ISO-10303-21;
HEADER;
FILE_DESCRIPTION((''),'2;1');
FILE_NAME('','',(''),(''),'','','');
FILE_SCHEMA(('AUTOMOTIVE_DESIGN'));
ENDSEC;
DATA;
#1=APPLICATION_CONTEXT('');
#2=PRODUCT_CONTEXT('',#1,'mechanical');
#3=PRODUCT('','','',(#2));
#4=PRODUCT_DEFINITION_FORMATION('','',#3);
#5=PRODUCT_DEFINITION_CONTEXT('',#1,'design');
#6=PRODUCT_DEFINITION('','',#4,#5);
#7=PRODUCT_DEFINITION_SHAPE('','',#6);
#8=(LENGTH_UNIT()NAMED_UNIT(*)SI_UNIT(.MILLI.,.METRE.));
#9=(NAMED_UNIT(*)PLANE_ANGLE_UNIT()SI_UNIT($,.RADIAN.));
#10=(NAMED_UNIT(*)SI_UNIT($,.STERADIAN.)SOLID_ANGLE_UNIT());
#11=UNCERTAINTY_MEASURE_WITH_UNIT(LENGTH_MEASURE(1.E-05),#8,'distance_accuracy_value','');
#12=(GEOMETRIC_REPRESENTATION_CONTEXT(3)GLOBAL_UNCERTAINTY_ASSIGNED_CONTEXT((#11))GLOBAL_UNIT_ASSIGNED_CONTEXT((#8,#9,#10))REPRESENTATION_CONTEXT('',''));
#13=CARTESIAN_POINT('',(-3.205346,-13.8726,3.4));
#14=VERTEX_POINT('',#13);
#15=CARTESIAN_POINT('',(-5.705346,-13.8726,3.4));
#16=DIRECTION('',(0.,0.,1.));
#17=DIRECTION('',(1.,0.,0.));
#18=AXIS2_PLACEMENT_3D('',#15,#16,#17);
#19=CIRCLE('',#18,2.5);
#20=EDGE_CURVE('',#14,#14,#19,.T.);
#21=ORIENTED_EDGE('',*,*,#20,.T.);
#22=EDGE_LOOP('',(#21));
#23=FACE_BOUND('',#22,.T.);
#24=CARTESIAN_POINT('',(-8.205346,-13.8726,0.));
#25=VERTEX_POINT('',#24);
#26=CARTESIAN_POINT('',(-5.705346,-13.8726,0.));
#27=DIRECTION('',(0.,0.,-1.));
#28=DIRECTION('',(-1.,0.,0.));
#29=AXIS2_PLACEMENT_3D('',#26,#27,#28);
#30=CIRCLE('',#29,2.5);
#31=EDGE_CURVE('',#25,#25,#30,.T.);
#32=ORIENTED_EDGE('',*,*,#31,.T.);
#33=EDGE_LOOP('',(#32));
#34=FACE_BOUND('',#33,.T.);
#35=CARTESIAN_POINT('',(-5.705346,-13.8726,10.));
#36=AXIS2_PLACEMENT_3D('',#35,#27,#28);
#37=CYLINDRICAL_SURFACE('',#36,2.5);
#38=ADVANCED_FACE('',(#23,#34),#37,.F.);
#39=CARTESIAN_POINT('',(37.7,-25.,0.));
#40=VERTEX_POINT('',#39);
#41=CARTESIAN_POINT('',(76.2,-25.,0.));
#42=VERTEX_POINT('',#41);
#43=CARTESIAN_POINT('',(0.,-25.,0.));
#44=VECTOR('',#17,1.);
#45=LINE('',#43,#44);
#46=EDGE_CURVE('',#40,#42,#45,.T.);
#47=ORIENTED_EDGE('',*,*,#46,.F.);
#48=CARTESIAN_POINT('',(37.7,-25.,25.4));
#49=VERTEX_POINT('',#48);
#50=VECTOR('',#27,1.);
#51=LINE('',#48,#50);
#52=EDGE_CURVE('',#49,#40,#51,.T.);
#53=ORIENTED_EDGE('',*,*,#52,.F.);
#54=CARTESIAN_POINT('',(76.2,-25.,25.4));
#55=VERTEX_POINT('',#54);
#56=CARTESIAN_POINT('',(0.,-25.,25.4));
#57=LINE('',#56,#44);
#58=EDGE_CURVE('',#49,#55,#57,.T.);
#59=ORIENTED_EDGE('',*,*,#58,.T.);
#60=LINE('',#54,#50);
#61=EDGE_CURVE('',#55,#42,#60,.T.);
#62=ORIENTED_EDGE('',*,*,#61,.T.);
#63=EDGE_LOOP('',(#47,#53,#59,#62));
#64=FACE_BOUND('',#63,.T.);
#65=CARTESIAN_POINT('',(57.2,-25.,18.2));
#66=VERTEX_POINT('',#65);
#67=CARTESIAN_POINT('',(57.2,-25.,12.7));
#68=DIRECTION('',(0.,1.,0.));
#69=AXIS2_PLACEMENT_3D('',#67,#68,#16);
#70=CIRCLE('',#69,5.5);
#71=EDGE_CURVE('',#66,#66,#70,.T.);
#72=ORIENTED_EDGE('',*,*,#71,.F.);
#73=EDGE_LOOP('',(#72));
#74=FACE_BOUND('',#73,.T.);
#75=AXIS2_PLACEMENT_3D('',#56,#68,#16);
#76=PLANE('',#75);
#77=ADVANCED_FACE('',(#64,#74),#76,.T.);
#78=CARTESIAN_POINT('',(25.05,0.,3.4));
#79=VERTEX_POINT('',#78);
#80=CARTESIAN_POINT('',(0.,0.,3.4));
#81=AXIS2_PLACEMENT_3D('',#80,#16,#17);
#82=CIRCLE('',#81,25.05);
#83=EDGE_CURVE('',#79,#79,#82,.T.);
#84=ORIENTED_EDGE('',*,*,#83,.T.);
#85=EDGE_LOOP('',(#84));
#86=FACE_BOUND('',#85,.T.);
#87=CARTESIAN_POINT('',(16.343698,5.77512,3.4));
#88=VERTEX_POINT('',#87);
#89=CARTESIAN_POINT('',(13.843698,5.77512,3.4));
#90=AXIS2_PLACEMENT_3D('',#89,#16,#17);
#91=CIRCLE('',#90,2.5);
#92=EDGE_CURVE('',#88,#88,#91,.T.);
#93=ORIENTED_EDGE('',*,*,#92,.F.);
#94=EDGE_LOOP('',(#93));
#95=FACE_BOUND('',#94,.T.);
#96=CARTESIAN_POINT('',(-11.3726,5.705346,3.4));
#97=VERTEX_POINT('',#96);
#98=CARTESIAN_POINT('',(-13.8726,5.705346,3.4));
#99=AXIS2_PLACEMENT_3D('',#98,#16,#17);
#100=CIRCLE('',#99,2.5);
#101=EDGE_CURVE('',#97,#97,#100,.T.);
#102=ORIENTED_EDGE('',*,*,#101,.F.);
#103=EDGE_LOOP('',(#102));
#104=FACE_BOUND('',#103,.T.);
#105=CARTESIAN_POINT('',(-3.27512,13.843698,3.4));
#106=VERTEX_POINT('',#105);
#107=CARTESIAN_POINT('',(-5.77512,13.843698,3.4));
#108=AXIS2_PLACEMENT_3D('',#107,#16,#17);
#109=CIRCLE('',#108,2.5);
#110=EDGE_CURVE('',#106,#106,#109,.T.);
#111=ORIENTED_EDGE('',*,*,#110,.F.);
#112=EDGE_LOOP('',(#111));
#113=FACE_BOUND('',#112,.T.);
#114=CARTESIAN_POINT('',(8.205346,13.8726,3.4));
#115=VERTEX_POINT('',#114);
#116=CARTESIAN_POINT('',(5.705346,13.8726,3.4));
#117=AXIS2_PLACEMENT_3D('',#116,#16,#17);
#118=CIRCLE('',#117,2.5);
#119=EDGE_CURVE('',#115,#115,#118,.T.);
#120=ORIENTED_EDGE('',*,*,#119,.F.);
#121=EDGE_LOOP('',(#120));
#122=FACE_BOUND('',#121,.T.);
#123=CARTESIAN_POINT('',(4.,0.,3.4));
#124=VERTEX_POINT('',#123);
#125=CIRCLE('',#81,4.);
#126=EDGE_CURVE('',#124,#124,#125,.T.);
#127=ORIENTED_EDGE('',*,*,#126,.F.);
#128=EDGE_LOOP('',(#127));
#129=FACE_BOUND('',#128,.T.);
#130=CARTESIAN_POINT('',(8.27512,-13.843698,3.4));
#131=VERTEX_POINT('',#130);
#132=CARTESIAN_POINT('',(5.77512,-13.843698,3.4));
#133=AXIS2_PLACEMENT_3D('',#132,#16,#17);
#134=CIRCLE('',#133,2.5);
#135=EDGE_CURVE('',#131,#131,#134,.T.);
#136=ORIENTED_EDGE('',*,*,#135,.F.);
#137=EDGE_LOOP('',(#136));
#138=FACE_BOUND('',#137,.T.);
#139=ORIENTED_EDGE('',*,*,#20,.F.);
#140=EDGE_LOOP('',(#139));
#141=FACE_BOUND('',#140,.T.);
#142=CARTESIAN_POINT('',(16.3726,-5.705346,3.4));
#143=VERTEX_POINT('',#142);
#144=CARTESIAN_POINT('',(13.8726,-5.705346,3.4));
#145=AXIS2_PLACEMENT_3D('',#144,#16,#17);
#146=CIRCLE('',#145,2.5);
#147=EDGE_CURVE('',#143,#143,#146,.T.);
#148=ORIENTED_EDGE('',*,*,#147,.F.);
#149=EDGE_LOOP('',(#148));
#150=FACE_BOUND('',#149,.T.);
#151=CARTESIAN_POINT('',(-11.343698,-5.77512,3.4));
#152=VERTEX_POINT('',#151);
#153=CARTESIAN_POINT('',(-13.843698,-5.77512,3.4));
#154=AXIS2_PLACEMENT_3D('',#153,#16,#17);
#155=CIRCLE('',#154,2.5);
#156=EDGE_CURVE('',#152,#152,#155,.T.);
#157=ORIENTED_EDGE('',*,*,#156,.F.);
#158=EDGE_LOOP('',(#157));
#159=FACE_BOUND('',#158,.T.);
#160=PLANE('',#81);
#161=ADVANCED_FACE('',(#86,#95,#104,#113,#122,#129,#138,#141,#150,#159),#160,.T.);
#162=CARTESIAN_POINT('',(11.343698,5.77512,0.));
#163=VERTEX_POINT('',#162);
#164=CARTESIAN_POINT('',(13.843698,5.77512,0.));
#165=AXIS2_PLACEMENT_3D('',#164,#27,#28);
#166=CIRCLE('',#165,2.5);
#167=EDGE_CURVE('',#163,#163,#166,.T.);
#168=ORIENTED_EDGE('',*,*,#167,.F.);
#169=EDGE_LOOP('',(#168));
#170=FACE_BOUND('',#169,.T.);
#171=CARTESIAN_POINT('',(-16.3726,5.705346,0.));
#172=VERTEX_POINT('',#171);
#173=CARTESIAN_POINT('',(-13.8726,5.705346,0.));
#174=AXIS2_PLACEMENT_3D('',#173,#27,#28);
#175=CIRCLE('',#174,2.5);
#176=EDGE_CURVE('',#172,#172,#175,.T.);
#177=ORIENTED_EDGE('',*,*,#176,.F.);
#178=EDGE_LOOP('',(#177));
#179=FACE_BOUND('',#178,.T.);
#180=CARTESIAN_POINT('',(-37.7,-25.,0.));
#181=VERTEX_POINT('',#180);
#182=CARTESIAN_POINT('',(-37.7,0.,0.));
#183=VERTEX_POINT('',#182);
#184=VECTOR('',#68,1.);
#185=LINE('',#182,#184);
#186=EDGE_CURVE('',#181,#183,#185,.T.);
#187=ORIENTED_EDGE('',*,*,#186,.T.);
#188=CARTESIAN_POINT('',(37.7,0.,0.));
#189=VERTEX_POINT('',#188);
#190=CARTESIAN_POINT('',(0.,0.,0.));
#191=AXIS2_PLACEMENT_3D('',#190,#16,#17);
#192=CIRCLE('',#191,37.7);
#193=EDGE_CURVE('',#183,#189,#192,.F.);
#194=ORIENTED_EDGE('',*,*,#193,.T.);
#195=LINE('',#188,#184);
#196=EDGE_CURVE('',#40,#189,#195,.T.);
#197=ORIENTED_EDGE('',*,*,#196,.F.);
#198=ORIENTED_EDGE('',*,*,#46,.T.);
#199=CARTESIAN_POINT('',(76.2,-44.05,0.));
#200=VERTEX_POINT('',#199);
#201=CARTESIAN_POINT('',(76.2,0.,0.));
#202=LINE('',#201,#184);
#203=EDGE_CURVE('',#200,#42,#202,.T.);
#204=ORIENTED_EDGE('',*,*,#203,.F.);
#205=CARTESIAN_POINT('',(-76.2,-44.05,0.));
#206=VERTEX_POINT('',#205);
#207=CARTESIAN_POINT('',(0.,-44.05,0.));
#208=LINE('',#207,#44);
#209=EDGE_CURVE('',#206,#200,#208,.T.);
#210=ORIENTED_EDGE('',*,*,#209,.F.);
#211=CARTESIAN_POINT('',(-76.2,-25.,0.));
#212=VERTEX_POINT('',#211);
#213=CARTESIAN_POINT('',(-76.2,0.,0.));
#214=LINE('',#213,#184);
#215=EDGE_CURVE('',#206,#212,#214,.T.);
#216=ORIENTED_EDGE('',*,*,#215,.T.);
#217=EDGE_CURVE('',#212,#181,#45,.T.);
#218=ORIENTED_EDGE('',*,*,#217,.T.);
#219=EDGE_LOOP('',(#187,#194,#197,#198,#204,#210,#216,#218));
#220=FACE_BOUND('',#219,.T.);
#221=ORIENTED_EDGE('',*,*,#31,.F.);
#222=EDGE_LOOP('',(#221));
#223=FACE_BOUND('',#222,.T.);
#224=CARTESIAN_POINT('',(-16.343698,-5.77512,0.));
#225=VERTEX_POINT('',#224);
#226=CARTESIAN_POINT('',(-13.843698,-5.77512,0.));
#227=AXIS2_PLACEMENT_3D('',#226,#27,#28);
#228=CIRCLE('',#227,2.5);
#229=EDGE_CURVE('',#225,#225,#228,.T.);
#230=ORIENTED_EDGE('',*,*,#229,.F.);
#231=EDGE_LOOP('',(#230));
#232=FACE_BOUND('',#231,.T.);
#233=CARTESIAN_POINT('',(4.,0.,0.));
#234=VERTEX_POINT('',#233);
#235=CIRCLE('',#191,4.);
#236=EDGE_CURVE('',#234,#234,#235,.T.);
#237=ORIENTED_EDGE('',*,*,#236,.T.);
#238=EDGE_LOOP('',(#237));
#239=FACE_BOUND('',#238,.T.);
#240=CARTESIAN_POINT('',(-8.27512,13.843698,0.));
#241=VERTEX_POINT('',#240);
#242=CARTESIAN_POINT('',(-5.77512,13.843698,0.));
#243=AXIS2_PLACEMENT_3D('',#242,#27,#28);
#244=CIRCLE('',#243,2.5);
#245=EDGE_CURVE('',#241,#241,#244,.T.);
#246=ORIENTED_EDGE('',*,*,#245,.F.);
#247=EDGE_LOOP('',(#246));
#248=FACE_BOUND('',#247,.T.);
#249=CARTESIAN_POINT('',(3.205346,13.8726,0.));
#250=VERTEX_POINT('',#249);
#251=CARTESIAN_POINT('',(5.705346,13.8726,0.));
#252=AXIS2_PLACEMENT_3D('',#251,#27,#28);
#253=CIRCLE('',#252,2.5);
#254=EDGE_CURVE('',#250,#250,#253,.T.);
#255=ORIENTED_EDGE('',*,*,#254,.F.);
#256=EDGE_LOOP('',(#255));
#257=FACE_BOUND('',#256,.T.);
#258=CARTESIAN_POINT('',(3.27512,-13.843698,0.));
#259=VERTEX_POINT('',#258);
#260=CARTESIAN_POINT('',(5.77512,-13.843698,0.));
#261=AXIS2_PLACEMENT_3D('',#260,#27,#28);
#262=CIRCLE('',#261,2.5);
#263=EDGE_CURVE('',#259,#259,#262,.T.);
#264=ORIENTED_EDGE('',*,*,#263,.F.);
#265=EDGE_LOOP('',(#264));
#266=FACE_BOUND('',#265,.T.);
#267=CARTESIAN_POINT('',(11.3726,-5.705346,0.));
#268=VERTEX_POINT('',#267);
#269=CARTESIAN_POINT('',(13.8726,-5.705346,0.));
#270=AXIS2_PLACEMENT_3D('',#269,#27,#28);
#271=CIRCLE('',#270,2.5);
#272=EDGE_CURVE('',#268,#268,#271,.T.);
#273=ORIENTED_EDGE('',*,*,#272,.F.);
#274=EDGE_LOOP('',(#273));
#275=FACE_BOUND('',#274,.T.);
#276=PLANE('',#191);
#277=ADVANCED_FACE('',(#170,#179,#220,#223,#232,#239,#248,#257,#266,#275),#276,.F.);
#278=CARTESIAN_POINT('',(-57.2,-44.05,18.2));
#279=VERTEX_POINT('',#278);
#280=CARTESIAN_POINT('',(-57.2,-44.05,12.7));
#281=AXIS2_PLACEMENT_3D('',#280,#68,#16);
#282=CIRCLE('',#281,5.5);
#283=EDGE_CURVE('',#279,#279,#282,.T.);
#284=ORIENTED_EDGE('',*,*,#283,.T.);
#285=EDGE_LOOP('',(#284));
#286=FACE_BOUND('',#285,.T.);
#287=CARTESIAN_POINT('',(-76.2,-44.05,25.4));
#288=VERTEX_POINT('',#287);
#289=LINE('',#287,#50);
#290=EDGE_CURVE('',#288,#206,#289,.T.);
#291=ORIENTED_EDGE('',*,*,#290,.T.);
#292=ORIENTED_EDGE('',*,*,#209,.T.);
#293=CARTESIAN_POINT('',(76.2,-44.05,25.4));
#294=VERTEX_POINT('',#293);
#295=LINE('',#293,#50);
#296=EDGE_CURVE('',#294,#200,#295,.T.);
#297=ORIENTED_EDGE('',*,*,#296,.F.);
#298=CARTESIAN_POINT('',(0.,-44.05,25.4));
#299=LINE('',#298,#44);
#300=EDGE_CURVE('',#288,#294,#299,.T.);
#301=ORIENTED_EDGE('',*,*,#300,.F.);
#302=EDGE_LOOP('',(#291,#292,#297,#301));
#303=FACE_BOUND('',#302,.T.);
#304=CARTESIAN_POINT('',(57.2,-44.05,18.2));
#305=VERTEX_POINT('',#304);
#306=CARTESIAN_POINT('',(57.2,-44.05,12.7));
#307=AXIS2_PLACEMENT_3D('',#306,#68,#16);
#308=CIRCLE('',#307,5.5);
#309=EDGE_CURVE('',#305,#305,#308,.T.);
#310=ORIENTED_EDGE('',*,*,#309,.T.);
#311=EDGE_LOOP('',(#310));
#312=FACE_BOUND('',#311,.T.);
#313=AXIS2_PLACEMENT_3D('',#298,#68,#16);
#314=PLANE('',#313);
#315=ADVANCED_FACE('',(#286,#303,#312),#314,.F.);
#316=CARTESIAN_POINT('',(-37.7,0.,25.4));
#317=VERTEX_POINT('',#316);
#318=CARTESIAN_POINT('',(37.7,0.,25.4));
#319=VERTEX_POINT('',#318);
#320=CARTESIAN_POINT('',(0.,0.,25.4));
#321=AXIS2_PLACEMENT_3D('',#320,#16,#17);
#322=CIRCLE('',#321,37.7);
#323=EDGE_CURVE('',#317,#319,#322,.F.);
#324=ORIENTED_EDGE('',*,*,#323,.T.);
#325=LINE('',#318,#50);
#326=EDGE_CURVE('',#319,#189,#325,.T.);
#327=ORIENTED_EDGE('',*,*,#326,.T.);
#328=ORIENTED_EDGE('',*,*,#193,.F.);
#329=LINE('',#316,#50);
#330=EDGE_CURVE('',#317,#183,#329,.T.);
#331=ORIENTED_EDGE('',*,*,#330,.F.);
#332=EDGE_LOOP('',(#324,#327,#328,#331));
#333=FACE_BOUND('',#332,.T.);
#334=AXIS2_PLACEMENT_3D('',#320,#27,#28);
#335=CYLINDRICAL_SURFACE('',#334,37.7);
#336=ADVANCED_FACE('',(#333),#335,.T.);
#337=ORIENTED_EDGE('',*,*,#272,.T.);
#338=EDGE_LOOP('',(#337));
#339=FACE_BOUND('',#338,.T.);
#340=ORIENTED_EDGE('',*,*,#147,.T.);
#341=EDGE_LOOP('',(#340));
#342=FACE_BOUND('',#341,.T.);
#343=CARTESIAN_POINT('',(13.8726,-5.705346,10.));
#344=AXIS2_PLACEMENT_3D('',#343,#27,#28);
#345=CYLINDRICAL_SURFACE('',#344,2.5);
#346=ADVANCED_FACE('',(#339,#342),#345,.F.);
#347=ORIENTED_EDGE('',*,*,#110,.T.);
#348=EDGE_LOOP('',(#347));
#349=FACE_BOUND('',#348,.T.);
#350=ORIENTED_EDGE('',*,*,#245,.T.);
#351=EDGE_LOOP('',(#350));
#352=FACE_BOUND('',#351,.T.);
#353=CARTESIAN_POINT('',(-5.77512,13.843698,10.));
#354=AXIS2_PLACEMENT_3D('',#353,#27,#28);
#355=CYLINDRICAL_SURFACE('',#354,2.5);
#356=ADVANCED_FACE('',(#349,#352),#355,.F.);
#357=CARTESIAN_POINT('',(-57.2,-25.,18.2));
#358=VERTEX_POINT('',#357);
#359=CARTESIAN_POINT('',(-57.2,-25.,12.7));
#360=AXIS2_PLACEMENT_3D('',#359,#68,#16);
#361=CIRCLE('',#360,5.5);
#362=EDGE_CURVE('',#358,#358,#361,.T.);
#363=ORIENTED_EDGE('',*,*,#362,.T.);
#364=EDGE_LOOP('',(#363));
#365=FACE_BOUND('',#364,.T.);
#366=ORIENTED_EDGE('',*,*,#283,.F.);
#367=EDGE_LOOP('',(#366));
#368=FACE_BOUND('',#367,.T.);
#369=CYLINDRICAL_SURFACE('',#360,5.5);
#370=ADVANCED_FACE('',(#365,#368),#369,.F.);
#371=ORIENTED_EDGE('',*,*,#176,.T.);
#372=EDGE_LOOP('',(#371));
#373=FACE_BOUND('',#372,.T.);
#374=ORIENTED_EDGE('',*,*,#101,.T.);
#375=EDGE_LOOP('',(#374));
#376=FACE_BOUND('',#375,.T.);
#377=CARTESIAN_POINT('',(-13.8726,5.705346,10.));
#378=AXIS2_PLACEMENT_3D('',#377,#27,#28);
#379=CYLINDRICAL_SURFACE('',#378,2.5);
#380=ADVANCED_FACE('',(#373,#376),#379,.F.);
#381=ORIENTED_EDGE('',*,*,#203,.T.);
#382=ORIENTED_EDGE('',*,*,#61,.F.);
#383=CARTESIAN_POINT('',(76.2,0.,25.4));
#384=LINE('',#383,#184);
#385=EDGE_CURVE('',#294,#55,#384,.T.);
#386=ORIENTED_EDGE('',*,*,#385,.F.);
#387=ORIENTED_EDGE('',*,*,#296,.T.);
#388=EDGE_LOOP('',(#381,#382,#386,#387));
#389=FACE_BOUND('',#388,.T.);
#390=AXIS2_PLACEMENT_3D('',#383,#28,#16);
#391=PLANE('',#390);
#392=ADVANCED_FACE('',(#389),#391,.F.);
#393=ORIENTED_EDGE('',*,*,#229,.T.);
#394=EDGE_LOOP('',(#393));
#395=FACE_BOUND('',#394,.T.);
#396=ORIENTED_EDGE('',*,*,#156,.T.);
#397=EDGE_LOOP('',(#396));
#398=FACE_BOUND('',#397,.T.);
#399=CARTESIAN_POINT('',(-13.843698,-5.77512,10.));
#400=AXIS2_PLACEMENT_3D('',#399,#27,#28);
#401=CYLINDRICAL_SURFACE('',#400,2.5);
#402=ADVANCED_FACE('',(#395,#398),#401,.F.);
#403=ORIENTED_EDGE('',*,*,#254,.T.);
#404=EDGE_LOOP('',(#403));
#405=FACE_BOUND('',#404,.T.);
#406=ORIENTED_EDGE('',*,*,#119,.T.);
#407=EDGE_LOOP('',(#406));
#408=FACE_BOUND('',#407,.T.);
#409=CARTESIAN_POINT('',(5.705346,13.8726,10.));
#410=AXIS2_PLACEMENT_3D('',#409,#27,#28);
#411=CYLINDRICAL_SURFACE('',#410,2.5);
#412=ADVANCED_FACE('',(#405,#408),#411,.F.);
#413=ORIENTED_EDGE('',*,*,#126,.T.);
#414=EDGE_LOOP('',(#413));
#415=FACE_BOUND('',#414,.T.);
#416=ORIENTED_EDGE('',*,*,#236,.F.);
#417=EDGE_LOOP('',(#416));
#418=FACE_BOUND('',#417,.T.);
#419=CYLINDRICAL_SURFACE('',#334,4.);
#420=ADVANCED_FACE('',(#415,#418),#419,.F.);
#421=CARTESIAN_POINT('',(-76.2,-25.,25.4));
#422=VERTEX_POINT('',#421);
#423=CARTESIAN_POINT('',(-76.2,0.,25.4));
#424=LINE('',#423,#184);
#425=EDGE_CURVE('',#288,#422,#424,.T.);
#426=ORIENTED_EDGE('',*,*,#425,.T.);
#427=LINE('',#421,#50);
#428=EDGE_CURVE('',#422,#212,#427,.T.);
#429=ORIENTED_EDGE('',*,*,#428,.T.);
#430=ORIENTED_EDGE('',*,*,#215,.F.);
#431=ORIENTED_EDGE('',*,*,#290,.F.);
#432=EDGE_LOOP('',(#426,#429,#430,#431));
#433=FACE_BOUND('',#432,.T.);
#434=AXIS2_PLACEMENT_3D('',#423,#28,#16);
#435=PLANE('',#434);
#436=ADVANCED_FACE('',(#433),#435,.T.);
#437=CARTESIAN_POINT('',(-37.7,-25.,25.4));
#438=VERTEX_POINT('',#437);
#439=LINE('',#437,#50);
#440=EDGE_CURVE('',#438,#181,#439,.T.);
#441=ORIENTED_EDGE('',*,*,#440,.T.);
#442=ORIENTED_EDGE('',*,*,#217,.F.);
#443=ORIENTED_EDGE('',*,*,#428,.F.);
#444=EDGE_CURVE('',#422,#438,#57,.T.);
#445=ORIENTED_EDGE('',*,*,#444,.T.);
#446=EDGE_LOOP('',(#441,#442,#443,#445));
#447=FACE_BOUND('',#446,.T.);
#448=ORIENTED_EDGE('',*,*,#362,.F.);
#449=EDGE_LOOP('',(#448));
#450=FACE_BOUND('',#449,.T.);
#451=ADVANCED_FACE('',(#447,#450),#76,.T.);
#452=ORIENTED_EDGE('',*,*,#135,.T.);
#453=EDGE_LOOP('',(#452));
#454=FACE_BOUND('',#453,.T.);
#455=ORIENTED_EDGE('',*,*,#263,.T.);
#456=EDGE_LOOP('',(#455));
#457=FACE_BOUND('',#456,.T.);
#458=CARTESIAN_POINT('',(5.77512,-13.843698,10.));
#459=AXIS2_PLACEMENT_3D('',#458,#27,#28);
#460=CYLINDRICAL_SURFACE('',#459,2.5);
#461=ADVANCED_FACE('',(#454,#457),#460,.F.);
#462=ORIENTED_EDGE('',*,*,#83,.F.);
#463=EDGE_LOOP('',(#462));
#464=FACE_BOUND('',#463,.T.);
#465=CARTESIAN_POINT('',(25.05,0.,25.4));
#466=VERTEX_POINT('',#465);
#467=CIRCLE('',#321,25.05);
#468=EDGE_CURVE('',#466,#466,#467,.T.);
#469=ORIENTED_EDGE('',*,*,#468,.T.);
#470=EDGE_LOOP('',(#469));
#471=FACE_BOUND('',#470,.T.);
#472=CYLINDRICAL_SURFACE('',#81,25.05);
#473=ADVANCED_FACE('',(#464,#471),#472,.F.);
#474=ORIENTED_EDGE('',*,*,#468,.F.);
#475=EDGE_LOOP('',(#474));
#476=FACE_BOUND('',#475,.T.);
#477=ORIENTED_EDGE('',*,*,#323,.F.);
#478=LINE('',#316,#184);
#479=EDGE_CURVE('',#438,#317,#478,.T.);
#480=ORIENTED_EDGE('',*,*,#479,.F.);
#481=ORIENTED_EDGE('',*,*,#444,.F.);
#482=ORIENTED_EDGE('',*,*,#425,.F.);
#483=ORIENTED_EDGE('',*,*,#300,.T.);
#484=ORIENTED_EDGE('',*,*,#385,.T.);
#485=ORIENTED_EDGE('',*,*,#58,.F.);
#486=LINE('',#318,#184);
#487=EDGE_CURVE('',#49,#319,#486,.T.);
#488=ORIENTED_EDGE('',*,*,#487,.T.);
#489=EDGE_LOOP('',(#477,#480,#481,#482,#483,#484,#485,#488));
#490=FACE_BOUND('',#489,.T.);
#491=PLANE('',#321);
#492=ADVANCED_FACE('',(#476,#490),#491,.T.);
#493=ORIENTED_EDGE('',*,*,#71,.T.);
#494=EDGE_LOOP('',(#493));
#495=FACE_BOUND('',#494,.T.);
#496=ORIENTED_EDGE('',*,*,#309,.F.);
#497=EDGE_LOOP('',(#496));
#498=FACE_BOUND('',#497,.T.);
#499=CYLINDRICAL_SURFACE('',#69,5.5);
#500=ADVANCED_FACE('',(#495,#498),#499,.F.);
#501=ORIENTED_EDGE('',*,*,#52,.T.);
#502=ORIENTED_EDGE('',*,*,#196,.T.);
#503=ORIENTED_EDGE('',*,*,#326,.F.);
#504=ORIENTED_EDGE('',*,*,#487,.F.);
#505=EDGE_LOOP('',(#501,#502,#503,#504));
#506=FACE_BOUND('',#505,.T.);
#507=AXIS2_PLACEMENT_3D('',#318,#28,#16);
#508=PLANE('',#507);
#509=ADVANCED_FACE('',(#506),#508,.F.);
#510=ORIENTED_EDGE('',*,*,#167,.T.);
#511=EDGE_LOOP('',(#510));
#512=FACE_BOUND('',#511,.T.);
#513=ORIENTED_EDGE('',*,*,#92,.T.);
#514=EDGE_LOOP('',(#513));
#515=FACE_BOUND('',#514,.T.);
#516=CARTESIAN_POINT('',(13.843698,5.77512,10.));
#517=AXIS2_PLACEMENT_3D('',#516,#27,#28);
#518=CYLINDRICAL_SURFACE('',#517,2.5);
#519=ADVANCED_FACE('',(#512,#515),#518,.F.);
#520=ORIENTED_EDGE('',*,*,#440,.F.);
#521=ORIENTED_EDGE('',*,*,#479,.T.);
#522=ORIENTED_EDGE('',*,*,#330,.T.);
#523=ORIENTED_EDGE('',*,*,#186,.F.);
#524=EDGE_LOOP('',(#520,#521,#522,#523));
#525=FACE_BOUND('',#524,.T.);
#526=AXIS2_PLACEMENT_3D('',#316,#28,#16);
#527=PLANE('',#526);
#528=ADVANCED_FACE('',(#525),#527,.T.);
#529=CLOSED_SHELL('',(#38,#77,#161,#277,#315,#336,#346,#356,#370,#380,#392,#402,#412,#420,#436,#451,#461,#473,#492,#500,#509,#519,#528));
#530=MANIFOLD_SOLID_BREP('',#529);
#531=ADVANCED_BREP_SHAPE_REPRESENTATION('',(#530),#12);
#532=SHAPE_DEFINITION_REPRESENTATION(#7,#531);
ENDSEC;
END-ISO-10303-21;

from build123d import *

# Parameters (mm, degrees)
SKETCH1_W             = 152.4
SKETCH1_H             = 19.05
SKETCH1_R             = 4
BOSS_EXTRUDE1_DEPTH   = 25.4
SKETCH3_R             = 25.05
CUT_EXTRUDE1_DEPTH    = 22
M10_CLEARANCE_HOLE1_D = 11
SKETCH11_R            = 2.5
CUT_EXTRUDE2_DEPTH    = 10


with BuildPart() as part:
    # Sketch1 → Boss-Extrude1 (new body)
    with BuildSketch(Plane.XY):
        with Locations((0, -34.525)):
            Rectangle(SKETCH1_W, SKETCH1_H)
        with BuildLine():
            Line((-37.7, -25), (37.7, -25))
            Line((37.7, -25), (37.7, 0))
            ThreePointArc((37.7, 0), (0, 37.7), (-37.7, 0))
            Line((-37.7, 0), (-37.7, -25))
        make_face()
        Circle(SKETCH1_R, mode=Mode.SUBTRACT)
    extrude(amount=BOSS_EXTRUDE1_DEPTH)

    # Sketch3 → Cut-Extrude1 (cut)
    with BuildSketch(Plane.XY.offset(25.4)):
        Circle(SKETCH3_R)
    extrude(amount=-CUT_EXTRUDE1_DEPTH, mode=Mode.SUBTRACT)

    # M10 Clearance Hole1 (through all)
    with Locations(Plane(origin=(0, -25, 0), x_dir=(1, 0, 0), z_dir=(0, 1, 0))):
        with Locations((-57.2, -12.7), (57.2, -12.7)):
            Hole(M10_CLEARANCE_HOLE1_D / 2)

    # Sketch11 → Cut-Extrude2 (cut)
    with BuildSketch(Plane(origin=(0, 0, 0), x_dir=(-1, 0, 0), z_dir=(0, 0, -1))):
        with Locations((5.775120383, 13.84369837)):
            Circle(SKETCH11_R)
        with Locations((-5.705346209, 13.872599779)):
            Circle(SKETCH11_R)
        with Locations((-13.84369837, 5.775120383)):
            Circle(SKETCH11_R)
        with Locations((-13.872599779, -5.705346209)):
            Circle(SKETCH11_R)
        with Locations((-5.775120383, -13.84369837)):
            Circle(SKETCH11_R)
        with Locations((5.705346209, -13.872599779)):
            Circle(SKETCH11_R)
        with Locations((13.84369837, -5.775120383)):
            Circle(SKETCH11_R)
        with Locations((13.872599779, 5.705346209)):
            Circle(SKETCH11_R)
    extrude(amount=-CUT_EXTRUDE2_DEPTH, mode=Mode.SUBTRACT)


solid = part.part
